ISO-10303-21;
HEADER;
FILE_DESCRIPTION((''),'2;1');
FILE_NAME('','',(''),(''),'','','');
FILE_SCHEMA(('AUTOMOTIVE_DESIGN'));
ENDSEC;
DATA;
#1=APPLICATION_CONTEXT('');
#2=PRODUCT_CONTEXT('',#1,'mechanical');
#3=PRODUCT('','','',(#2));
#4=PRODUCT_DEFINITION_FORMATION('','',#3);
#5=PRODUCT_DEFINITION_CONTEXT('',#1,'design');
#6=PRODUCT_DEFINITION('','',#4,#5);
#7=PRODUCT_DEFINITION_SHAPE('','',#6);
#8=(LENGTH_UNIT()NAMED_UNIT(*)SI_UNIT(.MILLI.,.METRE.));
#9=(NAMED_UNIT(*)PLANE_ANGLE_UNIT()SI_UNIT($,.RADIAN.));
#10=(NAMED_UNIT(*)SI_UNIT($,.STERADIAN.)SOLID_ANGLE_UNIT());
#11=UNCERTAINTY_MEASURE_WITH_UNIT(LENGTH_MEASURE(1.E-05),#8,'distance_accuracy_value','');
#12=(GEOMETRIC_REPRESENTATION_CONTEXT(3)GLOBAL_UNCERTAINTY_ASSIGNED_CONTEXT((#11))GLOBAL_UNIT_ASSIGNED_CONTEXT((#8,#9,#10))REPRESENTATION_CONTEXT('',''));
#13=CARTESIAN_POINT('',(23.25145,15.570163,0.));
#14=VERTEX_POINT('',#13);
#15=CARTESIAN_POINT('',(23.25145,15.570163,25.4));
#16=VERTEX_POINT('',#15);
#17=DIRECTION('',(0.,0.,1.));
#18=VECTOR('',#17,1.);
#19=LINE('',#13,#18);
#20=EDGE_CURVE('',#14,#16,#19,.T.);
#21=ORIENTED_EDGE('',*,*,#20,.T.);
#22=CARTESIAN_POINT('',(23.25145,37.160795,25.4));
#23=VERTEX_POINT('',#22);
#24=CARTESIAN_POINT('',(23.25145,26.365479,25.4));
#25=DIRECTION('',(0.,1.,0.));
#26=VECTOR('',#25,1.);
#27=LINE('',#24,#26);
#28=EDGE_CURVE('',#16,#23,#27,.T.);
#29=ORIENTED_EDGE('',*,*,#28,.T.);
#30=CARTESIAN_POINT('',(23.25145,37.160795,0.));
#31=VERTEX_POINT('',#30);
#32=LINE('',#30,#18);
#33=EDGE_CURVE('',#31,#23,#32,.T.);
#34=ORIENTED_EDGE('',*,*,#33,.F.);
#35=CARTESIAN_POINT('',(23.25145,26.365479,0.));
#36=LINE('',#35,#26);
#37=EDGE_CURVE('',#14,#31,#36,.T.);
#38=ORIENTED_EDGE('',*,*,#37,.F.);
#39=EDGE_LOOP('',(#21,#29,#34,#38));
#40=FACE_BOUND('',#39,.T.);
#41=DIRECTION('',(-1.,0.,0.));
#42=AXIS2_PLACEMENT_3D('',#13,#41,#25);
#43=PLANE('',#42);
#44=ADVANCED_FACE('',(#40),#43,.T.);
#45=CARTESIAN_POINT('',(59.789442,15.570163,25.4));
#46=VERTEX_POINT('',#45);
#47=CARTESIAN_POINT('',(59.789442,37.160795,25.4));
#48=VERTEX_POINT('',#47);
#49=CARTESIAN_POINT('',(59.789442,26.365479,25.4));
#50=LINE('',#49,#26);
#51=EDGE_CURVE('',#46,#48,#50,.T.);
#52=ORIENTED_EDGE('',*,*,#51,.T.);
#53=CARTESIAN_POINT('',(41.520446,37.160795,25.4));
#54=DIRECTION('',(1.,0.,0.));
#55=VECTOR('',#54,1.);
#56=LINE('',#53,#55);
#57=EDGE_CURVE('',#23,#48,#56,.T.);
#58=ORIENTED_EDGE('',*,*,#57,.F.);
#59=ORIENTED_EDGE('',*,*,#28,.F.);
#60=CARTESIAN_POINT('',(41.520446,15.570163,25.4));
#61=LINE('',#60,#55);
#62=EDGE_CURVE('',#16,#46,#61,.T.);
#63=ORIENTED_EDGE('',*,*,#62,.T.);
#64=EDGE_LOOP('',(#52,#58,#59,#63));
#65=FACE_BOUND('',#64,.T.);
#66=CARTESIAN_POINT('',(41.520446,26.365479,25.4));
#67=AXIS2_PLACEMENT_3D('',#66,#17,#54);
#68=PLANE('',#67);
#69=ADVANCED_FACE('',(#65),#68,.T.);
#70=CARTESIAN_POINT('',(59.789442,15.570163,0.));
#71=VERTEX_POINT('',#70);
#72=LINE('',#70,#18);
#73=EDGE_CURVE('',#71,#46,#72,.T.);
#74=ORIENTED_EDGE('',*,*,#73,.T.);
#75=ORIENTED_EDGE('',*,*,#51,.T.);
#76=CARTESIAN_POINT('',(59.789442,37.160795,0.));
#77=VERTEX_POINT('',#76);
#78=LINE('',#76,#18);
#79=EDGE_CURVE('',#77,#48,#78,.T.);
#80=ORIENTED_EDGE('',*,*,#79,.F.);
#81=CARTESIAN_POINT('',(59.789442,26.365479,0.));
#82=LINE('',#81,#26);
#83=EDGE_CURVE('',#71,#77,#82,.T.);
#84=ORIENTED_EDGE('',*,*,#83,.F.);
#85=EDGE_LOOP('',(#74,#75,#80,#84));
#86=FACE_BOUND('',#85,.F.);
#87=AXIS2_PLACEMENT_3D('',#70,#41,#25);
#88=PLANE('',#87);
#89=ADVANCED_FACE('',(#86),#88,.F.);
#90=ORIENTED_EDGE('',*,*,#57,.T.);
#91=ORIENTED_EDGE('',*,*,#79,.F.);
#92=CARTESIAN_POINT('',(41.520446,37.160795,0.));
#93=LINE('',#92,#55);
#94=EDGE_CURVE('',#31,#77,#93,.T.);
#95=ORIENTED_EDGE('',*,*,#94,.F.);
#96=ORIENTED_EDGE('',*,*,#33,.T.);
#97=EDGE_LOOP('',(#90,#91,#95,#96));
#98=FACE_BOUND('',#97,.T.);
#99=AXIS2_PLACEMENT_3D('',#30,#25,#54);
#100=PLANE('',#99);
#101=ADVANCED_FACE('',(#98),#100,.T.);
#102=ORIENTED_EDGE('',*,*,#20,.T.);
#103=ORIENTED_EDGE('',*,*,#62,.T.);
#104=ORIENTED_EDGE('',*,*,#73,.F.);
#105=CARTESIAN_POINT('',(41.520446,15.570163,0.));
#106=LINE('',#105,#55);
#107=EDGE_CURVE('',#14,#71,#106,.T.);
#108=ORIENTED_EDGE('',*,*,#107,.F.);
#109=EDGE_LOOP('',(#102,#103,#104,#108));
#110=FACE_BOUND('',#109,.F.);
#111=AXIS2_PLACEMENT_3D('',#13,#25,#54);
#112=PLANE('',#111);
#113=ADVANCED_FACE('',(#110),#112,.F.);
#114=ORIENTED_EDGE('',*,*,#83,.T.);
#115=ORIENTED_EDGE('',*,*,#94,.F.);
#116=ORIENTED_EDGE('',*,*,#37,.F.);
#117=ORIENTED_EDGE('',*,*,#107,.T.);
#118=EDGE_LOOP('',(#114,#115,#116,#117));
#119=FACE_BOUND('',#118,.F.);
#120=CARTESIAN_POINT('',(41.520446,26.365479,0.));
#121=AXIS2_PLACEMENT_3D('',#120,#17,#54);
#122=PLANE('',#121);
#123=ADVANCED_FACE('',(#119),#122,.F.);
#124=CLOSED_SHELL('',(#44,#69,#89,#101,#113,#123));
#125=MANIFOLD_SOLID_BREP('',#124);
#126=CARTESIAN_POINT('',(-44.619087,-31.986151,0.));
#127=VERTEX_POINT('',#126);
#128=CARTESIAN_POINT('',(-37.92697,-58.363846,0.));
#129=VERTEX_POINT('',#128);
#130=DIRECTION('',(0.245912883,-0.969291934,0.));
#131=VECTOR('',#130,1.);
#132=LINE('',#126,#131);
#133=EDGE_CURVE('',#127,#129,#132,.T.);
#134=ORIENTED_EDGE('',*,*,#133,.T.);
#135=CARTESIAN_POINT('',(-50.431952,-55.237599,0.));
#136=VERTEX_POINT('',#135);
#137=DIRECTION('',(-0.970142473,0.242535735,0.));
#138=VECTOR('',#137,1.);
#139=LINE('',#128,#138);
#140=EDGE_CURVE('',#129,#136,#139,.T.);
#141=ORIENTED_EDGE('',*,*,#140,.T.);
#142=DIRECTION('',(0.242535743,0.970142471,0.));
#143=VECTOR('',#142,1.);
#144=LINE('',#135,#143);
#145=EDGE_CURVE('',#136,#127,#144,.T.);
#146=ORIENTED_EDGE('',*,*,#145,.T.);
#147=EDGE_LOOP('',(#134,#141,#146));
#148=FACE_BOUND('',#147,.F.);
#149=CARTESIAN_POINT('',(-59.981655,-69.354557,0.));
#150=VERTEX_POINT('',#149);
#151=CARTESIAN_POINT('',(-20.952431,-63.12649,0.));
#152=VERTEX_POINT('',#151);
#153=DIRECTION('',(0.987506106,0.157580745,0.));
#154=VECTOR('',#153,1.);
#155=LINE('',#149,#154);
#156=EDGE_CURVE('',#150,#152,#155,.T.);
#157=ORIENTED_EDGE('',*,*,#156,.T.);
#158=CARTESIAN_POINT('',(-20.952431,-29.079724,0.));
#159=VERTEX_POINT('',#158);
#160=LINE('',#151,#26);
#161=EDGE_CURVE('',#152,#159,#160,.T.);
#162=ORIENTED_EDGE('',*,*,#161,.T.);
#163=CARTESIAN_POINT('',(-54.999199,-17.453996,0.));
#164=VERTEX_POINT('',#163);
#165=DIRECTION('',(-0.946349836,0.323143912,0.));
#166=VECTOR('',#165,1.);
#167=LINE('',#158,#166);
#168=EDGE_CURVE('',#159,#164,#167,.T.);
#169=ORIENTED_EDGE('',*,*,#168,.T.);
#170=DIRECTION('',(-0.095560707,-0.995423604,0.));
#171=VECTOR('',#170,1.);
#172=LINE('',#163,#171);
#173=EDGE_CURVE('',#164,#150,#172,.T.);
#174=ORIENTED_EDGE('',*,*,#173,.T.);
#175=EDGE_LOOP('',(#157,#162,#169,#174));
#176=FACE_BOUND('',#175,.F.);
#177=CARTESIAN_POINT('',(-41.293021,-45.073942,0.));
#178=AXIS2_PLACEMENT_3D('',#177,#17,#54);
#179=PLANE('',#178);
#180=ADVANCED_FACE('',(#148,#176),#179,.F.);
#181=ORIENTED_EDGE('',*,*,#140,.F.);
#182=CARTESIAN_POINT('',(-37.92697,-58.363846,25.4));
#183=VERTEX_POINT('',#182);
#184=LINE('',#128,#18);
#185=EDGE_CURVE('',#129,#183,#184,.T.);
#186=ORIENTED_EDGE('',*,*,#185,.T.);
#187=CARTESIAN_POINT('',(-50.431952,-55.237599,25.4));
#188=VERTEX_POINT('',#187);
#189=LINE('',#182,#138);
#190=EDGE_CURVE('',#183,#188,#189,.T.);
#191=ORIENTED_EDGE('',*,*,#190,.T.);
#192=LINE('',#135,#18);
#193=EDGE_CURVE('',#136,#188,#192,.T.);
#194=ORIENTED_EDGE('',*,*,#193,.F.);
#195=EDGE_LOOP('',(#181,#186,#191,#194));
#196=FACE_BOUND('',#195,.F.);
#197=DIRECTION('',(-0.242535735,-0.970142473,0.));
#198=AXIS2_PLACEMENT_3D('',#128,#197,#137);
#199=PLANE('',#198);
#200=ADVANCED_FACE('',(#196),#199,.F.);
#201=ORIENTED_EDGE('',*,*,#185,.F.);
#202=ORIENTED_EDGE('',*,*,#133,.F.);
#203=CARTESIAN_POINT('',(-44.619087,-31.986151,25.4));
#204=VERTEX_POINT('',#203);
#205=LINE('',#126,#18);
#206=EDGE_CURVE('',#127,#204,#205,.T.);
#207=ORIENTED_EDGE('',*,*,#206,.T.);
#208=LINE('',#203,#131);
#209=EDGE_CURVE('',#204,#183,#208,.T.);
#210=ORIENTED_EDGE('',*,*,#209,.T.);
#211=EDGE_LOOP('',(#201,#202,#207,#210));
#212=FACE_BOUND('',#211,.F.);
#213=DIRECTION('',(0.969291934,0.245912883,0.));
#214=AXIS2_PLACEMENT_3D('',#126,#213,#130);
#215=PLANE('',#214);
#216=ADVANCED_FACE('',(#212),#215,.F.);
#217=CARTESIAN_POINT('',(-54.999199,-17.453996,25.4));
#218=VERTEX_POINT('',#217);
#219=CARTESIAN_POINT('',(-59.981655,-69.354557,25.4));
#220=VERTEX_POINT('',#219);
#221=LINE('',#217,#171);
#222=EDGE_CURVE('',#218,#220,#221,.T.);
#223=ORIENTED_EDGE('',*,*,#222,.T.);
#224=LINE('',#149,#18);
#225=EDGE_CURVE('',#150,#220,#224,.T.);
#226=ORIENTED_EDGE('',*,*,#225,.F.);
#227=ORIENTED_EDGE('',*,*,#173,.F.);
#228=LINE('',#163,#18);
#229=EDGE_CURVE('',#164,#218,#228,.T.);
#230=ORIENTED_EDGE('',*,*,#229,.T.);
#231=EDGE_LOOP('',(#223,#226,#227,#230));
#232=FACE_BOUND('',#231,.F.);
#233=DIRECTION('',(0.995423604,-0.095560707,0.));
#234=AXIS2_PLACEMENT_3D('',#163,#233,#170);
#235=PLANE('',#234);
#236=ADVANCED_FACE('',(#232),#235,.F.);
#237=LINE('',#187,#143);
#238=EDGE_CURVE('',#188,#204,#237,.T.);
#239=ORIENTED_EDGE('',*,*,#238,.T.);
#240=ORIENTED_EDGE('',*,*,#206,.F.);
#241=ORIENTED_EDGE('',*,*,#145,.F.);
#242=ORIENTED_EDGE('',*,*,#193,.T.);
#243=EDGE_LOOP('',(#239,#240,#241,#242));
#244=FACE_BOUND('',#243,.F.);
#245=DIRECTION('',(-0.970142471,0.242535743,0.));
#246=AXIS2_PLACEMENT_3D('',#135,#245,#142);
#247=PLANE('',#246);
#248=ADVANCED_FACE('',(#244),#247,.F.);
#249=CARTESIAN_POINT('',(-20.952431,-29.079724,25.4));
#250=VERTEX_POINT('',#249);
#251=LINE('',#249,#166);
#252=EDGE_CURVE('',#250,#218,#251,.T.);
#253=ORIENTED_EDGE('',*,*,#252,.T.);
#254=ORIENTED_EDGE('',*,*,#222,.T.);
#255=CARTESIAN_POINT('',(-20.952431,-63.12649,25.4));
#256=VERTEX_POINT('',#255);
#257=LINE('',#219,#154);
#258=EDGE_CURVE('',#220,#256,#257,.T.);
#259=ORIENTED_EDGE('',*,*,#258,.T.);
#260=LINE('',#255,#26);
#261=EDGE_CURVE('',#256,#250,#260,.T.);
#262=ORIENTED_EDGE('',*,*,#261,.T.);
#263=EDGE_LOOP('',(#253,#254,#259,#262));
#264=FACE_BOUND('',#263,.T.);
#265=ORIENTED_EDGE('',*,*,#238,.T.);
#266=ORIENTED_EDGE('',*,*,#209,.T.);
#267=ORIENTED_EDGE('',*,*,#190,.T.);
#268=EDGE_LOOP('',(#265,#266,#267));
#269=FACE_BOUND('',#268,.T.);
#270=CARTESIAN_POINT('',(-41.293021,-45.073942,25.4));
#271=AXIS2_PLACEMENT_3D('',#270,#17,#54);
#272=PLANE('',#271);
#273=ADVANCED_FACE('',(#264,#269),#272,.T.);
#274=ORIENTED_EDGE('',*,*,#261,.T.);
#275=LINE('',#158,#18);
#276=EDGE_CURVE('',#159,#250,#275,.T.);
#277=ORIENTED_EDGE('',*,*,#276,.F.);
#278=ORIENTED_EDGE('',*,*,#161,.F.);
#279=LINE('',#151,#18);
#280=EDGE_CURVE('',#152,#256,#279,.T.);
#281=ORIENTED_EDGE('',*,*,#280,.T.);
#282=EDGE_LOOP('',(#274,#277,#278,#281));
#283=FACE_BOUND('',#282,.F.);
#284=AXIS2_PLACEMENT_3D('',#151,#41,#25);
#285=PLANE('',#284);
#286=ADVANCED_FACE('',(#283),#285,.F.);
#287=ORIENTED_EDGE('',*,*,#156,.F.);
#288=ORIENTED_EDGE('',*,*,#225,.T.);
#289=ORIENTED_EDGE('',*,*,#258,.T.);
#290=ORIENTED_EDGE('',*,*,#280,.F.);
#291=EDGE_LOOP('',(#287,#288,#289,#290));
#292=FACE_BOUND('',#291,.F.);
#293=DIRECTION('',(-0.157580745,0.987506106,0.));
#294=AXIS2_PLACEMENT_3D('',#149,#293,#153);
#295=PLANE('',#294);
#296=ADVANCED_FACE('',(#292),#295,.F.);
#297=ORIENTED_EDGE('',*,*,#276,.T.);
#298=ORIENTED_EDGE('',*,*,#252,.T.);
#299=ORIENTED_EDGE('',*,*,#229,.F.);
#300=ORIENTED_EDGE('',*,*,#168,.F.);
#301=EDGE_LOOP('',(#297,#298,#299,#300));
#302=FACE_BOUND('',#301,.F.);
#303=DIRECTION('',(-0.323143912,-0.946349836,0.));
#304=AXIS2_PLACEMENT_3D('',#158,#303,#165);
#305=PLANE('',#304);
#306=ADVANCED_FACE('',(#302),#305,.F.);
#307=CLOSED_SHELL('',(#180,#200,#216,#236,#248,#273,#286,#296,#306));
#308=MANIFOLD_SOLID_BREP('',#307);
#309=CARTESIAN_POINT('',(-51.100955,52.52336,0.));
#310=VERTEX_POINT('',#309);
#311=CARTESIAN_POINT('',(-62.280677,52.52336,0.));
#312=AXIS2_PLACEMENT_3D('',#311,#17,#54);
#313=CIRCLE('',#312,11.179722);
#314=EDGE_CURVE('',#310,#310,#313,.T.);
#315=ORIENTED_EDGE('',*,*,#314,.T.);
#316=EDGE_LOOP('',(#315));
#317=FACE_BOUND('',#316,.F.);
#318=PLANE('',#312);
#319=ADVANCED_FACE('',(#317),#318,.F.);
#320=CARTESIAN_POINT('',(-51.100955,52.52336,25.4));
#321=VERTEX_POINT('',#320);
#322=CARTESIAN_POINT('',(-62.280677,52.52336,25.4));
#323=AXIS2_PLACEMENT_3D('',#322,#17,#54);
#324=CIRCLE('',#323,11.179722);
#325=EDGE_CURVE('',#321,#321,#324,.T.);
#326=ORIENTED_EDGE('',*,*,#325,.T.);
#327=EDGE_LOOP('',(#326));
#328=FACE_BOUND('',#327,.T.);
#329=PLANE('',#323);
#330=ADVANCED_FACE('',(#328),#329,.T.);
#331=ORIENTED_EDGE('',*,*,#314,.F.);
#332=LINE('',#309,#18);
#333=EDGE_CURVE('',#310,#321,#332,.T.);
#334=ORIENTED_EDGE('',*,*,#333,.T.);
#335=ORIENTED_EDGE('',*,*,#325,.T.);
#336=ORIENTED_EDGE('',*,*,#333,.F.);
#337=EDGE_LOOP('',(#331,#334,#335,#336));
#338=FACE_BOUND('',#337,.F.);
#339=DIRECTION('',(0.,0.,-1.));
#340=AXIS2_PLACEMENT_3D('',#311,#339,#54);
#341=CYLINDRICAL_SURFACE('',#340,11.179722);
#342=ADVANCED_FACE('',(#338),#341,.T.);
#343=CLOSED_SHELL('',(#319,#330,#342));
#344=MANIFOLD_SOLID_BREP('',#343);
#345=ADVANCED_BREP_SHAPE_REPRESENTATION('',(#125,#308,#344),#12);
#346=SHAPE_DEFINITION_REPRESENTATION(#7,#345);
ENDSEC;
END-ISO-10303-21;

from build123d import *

# Parameters (mm, degrees)
F0_R     = 11.179722
F0_W     = 36.537992
F0_H     = 21.590633
F1_DEPTH = 25.4


with BuildPart() as f1:
    # F0 (on Top) → F1 (new body)
    with BuildSketch(Plane.XY):
        Polygon((-20.952431, -29.079724), (-54.999199, -17.453996), (-59.981655, -69.354557), (-20.952431, -63.12649), align=None)
        Polygon((-50.431952, -55.237599), (-44.619087, -31.986151), (-37.92697, -58.363846), align=None, mode=Mode.SUBTRACT)
        with Locations((-62.280677, 52.52336)):
            Circle(F0_R)
        with Locations((41.520446, 26.365479)):
            Rectangle(F0_W, F0_H)
    extrude(amount=F1_DEPTH)


solid = f1.part
